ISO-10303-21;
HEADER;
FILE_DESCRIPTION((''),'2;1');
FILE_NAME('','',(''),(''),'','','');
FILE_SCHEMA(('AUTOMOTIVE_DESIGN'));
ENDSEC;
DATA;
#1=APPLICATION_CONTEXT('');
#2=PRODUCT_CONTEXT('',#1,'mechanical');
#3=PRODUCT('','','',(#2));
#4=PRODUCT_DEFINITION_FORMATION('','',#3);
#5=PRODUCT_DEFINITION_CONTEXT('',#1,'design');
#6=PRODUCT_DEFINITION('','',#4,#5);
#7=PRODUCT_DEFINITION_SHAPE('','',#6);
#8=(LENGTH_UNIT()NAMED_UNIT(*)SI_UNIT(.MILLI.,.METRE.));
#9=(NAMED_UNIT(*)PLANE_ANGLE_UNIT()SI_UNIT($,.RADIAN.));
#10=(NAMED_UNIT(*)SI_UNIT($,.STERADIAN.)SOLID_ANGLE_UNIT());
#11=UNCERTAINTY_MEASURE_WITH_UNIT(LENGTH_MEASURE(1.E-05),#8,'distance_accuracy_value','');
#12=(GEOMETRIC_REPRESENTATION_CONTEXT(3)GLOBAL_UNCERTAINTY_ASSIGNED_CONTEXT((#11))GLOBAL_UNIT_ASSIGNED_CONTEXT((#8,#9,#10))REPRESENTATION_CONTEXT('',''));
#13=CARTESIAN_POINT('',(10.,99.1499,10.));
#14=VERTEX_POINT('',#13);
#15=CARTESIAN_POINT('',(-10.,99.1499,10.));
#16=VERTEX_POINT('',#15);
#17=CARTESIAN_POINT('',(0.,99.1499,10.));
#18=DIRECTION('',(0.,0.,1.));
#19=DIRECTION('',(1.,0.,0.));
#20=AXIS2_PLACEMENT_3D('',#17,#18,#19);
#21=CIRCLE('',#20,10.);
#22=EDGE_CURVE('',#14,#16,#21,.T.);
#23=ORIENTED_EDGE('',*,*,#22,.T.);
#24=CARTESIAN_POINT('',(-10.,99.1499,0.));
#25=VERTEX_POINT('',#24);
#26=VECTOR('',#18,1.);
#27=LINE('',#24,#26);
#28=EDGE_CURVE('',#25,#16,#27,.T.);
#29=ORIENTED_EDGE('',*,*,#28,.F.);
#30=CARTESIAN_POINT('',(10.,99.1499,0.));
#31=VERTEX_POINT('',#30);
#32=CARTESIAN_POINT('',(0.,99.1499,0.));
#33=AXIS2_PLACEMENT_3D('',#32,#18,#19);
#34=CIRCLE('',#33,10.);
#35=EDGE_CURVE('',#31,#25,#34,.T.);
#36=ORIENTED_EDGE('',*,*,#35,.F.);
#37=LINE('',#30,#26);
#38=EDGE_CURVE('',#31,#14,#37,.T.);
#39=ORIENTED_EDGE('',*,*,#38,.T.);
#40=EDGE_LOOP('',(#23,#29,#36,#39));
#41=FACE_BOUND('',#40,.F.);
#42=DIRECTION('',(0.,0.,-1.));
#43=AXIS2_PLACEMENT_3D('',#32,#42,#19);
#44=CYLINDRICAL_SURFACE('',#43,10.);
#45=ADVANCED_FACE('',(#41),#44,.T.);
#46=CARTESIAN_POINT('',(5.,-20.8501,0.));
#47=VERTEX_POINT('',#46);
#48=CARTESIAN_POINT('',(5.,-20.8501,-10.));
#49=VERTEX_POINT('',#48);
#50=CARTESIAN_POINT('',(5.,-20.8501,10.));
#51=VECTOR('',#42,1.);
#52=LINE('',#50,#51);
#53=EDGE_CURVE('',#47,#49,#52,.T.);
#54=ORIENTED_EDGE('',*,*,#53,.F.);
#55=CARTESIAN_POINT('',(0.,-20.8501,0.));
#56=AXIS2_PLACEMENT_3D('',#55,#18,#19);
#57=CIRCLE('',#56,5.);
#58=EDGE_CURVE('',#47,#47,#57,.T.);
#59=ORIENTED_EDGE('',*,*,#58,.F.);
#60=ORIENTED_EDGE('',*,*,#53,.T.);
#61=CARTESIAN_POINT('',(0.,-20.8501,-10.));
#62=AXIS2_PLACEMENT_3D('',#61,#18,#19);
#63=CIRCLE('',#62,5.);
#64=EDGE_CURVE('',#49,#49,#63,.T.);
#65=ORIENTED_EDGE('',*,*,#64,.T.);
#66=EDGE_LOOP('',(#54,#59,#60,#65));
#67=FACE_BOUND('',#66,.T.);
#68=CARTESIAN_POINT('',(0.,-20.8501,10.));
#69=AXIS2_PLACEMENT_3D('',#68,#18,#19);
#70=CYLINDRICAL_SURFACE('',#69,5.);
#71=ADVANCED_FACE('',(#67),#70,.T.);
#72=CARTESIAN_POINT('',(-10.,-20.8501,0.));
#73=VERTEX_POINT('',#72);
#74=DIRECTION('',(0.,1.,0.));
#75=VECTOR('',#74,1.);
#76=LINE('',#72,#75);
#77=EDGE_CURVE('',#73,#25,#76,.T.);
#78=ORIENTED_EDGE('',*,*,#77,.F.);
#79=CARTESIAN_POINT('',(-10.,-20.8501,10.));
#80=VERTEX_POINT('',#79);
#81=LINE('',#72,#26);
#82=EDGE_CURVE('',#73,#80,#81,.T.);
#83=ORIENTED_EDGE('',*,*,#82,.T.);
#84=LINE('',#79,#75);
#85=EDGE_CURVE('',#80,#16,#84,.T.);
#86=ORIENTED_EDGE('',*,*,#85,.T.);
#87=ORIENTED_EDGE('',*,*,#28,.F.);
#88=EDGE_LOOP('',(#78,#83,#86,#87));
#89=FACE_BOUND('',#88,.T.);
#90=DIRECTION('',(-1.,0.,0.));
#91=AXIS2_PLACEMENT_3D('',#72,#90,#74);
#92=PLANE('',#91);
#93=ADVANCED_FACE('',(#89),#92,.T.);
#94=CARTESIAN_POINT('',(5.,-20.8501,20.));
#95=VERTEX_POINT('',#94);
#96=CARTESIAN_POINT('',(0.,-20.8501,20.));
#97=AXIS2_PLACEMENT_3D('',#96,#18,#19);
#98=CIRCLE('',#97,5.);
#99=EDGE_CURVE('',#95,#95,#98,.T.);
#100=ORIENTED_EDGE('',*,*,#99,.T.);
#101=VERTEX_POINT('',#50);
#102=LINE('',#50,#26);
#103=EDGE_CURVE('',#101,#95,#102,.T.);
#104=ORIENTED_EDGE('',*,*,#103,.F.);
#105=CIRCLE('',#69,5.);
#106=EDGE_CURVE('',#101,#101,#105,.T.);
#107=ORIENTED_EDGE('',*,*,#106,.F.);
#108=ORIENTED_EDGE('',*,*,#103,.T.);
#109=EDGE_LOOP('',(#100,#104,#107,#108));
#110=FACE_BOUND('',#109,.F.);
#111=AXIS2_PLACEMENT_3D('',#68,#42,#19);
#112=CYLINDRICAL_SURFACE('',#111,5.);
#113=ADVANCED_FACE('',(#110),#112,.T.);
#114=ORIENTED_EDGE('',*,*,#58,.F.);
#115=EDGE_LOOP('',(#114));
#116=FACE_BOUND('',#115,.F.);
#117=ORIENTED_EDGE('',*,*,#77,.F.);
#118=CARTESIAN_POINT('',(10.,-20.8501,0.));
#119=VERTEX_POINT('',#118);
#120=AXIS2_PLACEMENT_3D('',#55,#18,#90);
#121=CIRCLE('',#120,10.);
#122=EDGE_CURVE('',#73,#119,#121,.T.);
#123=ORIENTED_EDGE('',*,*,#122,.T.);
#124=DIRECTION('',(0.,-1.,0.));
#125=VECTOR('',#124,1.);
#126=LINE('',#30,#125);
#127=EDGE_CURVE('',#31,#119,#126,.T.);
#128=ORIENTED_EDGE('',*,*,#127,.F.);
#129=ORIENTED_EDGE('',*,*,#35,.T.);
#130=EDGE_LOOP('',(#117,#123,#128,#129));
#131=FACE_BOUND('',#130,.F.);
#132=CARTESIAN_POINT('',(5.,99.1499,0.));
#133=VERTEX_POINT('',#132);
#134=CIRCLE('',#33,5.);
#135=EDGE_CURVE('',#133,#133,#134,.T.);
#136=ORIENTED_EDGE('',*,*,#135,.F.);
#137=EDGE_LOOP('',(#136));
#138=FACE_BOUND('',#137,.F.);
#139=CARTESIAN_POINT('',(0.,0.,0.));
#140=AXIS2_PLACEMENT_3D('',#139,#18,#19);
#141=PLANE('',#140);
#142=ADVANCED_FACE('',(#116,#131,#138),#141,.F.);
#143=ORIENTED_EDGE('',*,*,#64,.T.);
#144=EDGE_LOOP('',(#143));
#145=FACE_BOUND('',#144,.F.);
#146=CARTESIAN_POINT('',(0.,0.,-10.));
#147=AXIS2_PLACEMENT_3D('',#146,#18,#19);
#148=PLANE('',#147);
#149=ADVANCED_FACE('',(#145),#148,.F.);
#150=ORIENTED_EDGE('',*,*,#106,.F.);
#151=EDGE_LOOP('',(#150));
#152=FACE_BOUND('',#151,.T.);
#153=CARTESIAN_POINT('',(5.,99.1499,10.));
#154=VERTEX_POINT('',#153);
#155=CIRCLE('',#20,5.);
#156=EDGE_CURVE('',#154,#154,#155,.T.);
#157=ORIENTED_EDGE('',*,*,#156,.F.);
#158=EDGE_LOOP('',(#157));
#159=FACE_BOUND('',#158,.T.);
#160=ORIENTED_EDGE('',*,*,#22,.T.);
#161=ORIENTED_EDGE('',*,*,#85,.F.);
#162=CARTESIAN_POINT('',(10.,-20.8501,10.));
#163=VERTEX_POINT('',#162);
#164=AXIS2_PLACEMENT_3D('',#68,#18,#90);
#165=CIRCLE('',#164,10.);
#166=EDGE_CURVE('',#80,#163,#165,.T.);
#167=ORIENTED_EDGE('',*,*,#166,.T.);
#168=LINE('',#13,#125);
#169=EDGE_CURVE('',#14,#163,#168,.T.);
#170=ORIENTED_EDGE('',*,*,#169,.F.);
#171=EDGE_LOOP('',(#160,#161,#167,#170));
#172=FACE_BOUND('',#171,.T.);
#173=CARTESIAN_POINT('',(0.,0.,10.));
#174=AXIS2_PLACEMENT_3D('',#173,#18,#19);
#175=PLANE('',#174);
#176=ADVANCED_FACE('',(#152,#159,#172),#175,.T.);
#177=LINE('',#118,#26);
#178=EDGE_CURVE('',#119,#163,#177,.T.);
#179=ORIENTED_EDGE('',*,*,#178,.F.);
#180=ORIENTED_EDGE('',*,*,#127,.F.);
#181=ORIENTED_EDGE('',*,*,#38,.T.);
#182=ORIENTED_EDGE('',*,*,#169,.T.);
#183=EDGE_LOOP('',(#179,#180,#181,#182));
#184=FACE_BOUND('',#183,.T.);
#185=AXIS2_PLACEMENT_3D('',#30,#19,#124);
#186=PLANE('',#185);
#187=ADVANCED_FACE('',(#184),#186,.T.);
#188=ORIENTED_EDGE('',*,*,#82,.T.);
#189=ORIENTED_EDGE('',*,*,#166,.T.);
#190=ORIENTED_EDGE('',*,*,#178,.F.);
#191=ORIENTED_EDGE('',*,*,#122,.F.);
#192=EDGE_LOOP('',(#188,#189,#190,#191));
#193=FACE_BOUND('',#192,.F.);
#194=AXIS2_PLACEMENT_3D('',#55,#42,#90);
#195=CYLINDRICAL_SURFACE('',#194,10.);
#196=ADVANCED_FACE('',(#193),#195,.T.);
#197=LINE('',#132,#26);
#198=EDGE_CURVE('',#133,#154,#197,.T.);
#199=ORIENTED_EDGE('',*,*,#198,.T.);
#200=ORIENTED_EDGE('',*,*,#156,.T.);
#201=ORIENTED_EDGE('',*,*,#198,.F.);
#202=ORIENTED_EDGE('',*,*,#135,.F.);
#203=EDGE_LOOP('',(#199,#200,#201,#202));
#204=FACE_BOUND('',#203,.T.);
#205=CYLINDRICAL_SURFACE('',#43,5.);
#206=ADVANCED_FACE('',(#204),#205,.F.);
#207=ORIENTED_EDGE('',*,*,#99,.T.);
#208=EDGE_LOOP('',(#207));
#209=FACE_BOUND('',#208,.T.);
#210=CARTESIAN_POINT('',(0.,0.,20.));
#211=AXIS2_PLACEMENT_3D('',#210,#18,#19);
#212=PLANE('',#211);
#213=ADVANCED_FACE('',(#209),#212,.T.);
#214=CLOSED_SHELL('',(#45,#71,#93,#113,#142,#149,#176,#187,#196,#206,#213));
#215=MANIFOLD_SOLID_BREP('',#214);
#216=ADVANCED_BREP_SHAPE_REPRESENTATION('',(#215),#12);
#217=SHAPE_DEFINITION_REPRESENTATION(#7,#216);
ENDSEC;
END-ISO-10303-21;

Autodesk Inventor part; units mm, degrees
ref_plane "YZ Plane" through (0, 0, 0) normal (1, 0, 0) x (0, 1, 0)
ref_plane "XZ Plane" through (0, 0, 0) normal (0, 1, 0) x (-1, 0, 0)
ref_plane "XY Plane" through (0, 0, 0) normal (0, 0, 1) x (1, 0, 0)
sketch "Sketch1" plane through (0, 0, 0) normal (0, 0, 1) x (1, 0, 0)
  line L0 (10, 99.1499) -> (10, -20.8501)
  line L1 (-10, -20.8501) -> (-10, 99.1499)
  arc A0 (-10, -20.8501) -> (10, -20.8501) centre (0, -20.8501) ccw
  arc A1 (10, 99.1499) -> (-10, 99.1499) centre (0, 99.1499) ccw
  circle A2 centre (0, 99.1499) radius 5
  point P0 (0, 0)
  dimension "d0" = 10
  dimension "d1" = 20
  dimension "d2" = 120
  dimension "d3" = 10
extrude "Extrusion1" add sketch "Sketch1" along normal blind 10
sketch "Sketch2" plane through (0, 0, 10) normal (0, 0, 1) x (1, 0, 0)
  arc A0 (-10, -20.8501) -> (10, -20.8501) centre (0, -20.8501) ccw projected
  circle A1 centre (0, -20.8501) radius 5
  point P0 (0, 0)
  point P1 (0, -20.8501)
  point P2 (0, -30.8501)
  dimension "d7" = 10
  dimension "d8" = 10
extrude "Extrusion2" add sketch "Sketch2" along normal blind 10 and the other way blind 20
properties part number "arm1"
